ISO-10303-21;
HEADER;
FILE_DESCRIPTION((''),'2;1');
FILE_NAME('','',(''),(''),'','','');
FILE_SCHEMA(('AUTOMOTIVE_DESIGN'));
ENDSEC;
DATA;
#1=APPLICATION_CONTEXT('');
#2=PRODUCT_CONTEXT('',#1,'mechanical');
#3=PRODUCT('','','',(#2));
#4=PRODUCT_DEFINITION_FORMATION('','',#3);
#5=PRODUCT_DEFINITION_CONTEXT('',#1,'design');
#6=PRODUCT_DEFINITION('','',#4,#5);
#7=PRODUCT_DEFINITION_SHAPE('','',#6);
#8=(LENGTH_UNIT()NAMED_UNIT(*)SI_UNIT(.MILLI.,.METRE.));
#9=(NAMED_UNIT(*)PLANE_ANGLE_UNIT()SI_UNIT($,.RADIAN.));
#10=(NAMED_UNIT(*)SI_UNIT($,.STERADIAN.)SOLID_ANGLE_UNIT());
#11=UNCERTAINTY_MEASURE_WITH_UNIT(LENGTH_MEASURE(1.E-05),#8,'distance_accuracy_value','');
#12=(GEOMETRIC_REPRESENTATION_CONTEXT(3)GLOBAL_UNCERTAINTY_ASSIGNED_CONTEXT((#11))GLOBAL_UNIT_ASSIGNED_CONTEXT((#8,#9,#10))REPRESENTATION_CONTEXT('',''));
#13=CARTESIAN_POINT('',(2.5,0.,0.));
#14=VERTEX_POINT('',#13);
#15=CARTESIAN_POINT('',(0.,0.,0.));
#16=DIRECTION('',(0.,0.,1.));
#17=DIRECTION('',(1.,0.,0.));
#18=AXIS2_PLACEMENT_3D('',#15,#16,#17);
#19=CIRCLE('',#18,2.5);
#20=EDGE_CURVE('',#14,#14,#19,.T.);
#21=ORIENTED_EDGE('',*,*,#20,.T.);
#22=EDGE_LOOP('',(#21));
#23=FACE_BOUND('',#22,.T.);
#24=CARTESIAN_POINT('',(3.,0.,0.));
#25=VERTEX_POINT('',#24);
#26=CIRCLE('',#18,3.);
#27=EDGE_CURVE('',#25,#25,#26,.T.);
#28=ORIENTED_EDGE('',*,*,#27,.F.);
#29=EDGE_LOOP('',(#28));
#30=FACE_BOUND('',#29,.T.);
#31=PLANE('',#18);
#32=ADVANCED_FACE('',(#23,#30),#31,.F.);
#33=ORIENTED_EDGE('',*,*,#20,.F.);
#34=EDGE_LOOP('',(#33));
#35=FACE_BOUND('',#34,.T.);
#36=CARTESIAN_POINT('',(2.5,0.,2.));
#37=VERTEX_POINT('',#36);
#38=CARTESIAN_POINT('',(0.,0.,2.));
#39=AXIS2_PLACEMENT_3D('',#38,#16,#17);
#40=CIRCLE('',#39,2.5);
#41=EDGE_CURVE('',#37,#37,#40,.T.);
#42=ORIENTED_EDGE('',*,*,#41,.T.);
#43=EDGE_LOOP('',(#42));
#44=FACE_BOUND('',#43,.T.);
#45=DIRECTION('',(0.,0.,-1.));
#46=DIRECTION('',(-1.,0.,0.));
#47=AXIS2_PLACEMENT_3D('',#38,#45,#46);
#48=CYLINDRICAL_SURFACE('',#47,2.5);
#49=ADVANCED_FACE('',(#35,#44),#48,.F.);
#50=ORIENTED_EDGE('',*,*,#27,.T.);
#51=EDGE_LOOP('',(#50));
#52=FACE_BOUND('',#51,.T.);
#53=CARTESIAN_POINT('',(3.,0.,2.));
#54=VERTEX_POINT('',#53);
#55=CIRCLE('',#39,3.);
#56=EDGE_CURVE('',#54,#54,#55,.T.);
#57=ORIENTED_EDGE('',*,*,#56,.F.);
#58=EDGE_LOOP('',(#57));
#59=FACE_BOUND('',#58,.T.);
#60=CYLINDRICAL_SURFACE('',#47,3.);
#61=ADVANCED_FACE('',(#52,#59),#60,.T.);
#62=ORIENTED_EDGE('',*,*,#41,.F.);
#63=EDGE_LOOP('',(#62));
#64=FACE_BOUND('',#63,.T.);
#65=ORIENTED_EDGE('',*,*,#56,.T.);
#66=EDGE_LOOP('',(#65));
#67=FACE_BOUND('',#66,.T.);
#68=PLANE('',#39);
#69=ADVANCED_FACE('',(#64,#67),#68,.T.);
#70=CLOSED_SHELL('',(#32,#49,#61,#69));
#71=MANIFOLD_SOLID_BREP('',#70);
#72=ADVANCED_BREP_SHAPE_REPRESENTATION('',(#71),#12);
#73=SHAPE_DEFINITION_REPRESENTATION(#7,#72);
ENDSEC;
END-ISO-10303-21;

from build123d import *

# Parameters (mm, degrees)
SKETCH_1_R      = 3
SKETCH_1_R_2    = 2.5
EXTRUDE_1_DEPTH = 2


with BuildPart() as part:
    # 草图1 → 凸台-拉伸1 (new body)
    with BuildSketch(Plane.XY):
        Circle(SKETCH_1_R)
        Circle(SKETCH_1_R_2, mode=Mode.SUBTRACT)
    extrude(amount=EXTRUDE_1_DEPTH)


solid = part.part
